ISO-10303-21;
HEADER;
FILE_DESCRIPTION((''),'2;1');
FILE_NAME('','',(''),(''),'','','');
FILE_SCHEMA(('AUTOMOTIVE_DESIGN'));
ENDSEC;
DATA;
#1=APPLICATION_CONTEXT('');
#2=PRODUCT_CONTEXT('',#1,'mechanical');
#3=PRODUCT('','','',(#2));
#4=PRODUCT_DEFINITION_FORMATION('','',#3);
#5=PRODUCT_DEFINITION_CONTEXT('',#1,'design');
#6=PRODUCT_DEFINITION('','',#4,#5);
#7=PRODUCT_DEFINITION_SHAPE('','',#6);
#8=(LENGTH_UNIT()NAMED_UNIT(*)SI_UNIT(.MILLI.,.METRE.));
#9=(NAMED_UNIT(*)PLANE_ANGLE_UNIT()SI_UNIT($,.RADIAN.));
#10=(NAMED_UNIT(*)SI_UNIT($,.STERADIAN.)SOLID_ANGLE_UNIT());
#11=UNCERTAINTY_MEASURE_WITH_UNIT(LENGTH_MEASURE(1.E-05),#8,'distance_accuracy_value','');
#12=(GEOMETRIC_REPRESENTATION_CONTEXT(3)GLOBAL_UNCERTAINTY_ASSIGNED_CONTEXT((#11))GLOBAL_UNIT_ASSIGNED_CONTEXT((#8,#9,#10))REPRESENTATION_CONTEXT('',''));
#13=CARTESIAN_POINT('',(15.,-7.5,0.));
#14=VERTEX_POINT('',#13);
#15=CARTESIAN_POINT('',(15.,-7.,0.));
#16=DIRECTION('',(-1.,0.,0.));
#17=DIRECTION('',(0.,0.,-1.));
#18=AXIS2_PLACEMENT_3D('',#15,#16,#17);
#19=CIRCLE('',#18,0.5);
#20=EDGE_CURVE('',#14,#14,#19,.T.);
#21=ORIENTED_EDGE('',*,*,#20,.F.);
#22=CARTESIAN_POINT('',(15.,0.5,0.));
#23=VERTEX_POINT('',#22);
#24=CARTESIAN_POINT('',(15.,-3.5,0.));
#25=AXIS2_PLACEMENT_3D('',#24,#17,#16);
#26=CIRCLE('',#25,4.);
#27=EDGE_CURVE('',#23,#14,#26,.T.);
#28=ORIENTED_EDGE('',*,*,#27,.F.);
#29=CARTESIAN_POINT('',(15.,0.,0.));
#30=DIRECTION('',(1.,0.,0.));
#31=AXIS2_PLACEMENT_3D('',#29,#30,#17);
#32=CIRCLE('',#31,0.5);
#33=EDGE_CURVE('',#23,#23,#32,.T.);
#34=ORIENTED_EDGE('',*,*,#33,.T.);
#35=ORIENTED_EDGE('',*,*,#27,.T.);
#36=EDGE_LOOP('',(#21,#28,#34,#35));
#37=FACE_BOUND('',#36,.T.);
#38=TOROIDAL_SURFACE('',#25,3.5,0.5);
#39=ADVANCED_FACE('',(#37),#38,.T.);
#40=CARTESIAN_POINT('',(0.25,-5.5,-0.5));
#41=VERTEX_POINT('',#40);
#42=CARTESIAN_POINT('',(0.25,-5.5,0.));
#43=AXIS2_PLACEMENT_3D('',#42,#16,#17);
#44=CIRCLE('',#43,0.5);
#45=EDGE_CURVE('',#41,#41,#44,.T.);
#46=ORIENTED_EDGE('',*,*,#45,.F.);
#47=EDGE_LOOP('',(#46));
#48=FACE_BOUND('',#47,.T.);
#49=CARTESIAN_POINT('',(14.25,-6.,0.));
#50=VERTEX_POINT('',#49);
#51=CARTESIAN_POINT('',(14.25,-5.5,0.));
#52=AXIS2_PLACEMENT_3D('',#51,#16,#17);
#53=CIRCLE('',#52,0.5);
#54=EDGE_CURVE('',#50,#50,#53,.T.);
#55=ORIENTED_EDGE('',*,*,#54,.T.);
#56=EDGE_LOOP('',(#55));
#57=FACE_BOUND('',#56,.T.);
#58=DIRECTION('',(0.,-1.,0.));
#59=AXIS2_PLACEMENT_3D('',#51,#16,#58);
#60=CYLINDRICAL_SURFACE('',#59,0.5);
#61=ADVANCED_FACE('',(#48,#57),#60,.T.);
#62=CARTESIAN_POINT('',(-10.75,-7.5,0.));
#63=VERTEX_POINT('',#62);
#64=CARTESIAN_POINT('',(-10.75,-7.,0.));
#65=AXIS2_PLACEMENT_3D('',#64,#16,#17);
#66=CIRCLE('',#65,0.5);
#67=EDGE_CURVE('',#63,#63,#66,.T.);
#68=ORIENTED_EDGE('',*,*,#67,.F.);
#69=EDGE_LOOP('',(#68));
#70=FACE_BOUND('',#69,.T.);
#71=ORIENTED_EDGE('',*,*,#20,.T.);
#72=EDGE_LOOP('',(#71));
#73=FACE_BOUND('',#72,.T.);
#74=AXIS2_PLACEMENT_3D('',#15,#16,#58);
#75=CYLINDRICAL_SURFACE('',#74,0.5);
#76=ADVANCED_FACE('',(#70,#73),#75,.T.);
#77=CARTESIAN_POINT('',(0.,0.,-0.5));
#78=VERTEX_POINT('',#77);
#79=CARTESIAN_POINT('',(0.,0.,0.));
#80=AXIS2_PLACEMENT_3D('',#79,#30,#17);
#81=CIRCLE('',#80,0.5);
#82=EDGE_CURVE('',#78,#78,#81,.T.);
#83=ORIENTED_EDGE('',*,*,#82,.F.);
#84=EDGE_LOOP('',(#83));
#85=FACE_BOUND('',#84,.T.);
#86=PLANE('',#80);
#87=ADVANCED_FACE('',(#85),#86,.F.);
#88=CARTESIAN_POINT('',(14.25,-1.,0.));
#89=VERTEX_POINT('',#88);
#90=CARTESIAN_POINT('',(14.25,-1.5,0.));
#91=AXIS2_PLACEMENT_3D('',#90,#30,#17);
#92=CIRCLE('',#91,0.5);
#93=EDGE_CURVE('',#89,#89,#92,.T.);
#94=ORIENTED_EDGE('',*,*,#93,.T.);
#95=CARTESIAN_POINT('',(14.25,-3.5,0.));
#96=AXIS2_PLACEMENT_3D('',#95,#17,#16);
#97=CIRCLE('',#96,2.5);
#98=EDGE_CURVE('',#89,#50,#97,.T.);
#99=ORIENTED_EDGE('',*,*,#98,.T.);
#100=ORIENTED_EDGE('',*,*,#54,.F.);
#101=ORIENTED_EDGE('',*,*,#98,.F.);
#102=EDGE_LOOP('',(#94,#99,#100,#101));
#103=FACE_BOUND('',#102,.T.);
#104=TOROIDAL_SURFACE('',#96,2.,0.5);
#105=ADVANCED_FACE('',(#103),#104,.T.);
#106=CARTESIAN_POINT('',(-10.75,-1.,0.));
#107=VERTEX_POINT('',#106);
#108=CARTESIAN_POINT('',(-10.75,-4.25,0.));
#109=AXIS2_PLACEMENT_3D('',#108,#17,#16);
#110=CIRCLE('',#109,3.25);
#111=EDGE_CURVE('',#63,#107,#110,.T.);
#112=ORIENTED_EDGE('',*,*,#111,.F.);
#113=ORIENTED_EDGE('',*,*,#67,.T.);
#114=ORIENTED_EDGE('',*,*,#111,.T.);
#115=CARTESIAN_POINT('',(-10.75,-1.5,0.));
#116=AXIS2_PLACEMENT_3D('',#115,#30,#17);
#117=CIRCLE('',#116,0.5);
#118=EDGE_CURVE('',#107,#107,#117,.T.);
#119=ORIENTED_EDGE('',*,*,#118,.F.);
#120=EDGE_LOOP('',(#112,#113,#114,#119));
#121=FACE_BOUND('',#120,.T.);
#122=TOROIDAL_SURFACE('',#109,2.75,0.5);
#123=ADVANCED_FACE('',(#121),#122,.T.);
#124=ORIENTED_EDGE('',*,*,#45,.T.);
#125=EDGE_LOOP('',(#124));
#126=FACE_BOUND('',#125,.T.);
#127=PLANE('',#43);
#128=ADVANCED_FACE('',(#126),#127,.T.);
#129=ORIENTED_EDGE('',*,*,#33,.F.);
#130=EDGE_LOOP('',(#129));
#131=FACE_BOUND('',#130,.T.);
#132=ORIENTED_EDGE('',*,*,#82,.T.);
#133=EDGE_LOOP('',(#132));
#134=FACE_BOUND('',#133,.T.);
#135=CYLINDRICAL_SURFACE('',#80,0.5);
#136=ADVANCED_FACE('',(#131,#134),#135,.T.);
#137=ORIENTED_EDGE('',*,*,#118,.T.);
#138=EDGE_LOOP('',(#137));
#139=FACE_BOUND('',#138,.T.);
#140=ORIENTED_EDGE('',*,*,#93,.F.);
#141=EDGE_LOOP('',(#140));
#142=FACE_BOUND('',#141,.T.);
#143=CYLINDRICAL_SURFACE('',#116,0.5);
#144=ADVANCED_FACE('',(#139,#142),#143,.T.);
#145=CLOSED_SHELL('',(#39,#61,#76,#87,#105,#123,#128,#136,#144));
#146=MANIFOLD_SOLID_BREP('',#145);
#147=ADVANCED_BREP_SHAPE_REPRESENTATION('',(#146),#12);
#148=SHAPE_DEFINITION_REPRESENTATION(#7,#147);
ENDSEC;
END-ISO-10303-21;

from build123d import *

# Parameters (mm, degrees)
SKETCH2_R = 0.5


with BuildPart() as part:
    # Sweep1: sweep along a path in Sketch1
    with BuildLine(Plane.XY) as sweep1_path:
        Line((0, 0), (15, 0))
        ThreePointArc((15, 0), (18.5, -3.5), (15, -7))
        Line((15, -7), (-10.75, -7))
        ThreePointArc((-10.75, -7), (-13.5, -4.25), (-10.75, -1.5))
        Line((-10.75, -1.5), (14.25, -1.5))
        ThreePointArc((14.25, -1.5), (16.25, -3.5), (14.25, -5.5))
        Line((14.25, -5.5), (0.25, -5.5))
    # Sketch2 → Sweep1 (sweep)
    with BuildSketch(Plane(origin=(0, 0, 0), x_dir=(0, 0, -1), z_dir=(1, 0, 0))):
        Circle(SKETCH2_R)
    sweep(path=sweep1_path.line)


solid = part.part
